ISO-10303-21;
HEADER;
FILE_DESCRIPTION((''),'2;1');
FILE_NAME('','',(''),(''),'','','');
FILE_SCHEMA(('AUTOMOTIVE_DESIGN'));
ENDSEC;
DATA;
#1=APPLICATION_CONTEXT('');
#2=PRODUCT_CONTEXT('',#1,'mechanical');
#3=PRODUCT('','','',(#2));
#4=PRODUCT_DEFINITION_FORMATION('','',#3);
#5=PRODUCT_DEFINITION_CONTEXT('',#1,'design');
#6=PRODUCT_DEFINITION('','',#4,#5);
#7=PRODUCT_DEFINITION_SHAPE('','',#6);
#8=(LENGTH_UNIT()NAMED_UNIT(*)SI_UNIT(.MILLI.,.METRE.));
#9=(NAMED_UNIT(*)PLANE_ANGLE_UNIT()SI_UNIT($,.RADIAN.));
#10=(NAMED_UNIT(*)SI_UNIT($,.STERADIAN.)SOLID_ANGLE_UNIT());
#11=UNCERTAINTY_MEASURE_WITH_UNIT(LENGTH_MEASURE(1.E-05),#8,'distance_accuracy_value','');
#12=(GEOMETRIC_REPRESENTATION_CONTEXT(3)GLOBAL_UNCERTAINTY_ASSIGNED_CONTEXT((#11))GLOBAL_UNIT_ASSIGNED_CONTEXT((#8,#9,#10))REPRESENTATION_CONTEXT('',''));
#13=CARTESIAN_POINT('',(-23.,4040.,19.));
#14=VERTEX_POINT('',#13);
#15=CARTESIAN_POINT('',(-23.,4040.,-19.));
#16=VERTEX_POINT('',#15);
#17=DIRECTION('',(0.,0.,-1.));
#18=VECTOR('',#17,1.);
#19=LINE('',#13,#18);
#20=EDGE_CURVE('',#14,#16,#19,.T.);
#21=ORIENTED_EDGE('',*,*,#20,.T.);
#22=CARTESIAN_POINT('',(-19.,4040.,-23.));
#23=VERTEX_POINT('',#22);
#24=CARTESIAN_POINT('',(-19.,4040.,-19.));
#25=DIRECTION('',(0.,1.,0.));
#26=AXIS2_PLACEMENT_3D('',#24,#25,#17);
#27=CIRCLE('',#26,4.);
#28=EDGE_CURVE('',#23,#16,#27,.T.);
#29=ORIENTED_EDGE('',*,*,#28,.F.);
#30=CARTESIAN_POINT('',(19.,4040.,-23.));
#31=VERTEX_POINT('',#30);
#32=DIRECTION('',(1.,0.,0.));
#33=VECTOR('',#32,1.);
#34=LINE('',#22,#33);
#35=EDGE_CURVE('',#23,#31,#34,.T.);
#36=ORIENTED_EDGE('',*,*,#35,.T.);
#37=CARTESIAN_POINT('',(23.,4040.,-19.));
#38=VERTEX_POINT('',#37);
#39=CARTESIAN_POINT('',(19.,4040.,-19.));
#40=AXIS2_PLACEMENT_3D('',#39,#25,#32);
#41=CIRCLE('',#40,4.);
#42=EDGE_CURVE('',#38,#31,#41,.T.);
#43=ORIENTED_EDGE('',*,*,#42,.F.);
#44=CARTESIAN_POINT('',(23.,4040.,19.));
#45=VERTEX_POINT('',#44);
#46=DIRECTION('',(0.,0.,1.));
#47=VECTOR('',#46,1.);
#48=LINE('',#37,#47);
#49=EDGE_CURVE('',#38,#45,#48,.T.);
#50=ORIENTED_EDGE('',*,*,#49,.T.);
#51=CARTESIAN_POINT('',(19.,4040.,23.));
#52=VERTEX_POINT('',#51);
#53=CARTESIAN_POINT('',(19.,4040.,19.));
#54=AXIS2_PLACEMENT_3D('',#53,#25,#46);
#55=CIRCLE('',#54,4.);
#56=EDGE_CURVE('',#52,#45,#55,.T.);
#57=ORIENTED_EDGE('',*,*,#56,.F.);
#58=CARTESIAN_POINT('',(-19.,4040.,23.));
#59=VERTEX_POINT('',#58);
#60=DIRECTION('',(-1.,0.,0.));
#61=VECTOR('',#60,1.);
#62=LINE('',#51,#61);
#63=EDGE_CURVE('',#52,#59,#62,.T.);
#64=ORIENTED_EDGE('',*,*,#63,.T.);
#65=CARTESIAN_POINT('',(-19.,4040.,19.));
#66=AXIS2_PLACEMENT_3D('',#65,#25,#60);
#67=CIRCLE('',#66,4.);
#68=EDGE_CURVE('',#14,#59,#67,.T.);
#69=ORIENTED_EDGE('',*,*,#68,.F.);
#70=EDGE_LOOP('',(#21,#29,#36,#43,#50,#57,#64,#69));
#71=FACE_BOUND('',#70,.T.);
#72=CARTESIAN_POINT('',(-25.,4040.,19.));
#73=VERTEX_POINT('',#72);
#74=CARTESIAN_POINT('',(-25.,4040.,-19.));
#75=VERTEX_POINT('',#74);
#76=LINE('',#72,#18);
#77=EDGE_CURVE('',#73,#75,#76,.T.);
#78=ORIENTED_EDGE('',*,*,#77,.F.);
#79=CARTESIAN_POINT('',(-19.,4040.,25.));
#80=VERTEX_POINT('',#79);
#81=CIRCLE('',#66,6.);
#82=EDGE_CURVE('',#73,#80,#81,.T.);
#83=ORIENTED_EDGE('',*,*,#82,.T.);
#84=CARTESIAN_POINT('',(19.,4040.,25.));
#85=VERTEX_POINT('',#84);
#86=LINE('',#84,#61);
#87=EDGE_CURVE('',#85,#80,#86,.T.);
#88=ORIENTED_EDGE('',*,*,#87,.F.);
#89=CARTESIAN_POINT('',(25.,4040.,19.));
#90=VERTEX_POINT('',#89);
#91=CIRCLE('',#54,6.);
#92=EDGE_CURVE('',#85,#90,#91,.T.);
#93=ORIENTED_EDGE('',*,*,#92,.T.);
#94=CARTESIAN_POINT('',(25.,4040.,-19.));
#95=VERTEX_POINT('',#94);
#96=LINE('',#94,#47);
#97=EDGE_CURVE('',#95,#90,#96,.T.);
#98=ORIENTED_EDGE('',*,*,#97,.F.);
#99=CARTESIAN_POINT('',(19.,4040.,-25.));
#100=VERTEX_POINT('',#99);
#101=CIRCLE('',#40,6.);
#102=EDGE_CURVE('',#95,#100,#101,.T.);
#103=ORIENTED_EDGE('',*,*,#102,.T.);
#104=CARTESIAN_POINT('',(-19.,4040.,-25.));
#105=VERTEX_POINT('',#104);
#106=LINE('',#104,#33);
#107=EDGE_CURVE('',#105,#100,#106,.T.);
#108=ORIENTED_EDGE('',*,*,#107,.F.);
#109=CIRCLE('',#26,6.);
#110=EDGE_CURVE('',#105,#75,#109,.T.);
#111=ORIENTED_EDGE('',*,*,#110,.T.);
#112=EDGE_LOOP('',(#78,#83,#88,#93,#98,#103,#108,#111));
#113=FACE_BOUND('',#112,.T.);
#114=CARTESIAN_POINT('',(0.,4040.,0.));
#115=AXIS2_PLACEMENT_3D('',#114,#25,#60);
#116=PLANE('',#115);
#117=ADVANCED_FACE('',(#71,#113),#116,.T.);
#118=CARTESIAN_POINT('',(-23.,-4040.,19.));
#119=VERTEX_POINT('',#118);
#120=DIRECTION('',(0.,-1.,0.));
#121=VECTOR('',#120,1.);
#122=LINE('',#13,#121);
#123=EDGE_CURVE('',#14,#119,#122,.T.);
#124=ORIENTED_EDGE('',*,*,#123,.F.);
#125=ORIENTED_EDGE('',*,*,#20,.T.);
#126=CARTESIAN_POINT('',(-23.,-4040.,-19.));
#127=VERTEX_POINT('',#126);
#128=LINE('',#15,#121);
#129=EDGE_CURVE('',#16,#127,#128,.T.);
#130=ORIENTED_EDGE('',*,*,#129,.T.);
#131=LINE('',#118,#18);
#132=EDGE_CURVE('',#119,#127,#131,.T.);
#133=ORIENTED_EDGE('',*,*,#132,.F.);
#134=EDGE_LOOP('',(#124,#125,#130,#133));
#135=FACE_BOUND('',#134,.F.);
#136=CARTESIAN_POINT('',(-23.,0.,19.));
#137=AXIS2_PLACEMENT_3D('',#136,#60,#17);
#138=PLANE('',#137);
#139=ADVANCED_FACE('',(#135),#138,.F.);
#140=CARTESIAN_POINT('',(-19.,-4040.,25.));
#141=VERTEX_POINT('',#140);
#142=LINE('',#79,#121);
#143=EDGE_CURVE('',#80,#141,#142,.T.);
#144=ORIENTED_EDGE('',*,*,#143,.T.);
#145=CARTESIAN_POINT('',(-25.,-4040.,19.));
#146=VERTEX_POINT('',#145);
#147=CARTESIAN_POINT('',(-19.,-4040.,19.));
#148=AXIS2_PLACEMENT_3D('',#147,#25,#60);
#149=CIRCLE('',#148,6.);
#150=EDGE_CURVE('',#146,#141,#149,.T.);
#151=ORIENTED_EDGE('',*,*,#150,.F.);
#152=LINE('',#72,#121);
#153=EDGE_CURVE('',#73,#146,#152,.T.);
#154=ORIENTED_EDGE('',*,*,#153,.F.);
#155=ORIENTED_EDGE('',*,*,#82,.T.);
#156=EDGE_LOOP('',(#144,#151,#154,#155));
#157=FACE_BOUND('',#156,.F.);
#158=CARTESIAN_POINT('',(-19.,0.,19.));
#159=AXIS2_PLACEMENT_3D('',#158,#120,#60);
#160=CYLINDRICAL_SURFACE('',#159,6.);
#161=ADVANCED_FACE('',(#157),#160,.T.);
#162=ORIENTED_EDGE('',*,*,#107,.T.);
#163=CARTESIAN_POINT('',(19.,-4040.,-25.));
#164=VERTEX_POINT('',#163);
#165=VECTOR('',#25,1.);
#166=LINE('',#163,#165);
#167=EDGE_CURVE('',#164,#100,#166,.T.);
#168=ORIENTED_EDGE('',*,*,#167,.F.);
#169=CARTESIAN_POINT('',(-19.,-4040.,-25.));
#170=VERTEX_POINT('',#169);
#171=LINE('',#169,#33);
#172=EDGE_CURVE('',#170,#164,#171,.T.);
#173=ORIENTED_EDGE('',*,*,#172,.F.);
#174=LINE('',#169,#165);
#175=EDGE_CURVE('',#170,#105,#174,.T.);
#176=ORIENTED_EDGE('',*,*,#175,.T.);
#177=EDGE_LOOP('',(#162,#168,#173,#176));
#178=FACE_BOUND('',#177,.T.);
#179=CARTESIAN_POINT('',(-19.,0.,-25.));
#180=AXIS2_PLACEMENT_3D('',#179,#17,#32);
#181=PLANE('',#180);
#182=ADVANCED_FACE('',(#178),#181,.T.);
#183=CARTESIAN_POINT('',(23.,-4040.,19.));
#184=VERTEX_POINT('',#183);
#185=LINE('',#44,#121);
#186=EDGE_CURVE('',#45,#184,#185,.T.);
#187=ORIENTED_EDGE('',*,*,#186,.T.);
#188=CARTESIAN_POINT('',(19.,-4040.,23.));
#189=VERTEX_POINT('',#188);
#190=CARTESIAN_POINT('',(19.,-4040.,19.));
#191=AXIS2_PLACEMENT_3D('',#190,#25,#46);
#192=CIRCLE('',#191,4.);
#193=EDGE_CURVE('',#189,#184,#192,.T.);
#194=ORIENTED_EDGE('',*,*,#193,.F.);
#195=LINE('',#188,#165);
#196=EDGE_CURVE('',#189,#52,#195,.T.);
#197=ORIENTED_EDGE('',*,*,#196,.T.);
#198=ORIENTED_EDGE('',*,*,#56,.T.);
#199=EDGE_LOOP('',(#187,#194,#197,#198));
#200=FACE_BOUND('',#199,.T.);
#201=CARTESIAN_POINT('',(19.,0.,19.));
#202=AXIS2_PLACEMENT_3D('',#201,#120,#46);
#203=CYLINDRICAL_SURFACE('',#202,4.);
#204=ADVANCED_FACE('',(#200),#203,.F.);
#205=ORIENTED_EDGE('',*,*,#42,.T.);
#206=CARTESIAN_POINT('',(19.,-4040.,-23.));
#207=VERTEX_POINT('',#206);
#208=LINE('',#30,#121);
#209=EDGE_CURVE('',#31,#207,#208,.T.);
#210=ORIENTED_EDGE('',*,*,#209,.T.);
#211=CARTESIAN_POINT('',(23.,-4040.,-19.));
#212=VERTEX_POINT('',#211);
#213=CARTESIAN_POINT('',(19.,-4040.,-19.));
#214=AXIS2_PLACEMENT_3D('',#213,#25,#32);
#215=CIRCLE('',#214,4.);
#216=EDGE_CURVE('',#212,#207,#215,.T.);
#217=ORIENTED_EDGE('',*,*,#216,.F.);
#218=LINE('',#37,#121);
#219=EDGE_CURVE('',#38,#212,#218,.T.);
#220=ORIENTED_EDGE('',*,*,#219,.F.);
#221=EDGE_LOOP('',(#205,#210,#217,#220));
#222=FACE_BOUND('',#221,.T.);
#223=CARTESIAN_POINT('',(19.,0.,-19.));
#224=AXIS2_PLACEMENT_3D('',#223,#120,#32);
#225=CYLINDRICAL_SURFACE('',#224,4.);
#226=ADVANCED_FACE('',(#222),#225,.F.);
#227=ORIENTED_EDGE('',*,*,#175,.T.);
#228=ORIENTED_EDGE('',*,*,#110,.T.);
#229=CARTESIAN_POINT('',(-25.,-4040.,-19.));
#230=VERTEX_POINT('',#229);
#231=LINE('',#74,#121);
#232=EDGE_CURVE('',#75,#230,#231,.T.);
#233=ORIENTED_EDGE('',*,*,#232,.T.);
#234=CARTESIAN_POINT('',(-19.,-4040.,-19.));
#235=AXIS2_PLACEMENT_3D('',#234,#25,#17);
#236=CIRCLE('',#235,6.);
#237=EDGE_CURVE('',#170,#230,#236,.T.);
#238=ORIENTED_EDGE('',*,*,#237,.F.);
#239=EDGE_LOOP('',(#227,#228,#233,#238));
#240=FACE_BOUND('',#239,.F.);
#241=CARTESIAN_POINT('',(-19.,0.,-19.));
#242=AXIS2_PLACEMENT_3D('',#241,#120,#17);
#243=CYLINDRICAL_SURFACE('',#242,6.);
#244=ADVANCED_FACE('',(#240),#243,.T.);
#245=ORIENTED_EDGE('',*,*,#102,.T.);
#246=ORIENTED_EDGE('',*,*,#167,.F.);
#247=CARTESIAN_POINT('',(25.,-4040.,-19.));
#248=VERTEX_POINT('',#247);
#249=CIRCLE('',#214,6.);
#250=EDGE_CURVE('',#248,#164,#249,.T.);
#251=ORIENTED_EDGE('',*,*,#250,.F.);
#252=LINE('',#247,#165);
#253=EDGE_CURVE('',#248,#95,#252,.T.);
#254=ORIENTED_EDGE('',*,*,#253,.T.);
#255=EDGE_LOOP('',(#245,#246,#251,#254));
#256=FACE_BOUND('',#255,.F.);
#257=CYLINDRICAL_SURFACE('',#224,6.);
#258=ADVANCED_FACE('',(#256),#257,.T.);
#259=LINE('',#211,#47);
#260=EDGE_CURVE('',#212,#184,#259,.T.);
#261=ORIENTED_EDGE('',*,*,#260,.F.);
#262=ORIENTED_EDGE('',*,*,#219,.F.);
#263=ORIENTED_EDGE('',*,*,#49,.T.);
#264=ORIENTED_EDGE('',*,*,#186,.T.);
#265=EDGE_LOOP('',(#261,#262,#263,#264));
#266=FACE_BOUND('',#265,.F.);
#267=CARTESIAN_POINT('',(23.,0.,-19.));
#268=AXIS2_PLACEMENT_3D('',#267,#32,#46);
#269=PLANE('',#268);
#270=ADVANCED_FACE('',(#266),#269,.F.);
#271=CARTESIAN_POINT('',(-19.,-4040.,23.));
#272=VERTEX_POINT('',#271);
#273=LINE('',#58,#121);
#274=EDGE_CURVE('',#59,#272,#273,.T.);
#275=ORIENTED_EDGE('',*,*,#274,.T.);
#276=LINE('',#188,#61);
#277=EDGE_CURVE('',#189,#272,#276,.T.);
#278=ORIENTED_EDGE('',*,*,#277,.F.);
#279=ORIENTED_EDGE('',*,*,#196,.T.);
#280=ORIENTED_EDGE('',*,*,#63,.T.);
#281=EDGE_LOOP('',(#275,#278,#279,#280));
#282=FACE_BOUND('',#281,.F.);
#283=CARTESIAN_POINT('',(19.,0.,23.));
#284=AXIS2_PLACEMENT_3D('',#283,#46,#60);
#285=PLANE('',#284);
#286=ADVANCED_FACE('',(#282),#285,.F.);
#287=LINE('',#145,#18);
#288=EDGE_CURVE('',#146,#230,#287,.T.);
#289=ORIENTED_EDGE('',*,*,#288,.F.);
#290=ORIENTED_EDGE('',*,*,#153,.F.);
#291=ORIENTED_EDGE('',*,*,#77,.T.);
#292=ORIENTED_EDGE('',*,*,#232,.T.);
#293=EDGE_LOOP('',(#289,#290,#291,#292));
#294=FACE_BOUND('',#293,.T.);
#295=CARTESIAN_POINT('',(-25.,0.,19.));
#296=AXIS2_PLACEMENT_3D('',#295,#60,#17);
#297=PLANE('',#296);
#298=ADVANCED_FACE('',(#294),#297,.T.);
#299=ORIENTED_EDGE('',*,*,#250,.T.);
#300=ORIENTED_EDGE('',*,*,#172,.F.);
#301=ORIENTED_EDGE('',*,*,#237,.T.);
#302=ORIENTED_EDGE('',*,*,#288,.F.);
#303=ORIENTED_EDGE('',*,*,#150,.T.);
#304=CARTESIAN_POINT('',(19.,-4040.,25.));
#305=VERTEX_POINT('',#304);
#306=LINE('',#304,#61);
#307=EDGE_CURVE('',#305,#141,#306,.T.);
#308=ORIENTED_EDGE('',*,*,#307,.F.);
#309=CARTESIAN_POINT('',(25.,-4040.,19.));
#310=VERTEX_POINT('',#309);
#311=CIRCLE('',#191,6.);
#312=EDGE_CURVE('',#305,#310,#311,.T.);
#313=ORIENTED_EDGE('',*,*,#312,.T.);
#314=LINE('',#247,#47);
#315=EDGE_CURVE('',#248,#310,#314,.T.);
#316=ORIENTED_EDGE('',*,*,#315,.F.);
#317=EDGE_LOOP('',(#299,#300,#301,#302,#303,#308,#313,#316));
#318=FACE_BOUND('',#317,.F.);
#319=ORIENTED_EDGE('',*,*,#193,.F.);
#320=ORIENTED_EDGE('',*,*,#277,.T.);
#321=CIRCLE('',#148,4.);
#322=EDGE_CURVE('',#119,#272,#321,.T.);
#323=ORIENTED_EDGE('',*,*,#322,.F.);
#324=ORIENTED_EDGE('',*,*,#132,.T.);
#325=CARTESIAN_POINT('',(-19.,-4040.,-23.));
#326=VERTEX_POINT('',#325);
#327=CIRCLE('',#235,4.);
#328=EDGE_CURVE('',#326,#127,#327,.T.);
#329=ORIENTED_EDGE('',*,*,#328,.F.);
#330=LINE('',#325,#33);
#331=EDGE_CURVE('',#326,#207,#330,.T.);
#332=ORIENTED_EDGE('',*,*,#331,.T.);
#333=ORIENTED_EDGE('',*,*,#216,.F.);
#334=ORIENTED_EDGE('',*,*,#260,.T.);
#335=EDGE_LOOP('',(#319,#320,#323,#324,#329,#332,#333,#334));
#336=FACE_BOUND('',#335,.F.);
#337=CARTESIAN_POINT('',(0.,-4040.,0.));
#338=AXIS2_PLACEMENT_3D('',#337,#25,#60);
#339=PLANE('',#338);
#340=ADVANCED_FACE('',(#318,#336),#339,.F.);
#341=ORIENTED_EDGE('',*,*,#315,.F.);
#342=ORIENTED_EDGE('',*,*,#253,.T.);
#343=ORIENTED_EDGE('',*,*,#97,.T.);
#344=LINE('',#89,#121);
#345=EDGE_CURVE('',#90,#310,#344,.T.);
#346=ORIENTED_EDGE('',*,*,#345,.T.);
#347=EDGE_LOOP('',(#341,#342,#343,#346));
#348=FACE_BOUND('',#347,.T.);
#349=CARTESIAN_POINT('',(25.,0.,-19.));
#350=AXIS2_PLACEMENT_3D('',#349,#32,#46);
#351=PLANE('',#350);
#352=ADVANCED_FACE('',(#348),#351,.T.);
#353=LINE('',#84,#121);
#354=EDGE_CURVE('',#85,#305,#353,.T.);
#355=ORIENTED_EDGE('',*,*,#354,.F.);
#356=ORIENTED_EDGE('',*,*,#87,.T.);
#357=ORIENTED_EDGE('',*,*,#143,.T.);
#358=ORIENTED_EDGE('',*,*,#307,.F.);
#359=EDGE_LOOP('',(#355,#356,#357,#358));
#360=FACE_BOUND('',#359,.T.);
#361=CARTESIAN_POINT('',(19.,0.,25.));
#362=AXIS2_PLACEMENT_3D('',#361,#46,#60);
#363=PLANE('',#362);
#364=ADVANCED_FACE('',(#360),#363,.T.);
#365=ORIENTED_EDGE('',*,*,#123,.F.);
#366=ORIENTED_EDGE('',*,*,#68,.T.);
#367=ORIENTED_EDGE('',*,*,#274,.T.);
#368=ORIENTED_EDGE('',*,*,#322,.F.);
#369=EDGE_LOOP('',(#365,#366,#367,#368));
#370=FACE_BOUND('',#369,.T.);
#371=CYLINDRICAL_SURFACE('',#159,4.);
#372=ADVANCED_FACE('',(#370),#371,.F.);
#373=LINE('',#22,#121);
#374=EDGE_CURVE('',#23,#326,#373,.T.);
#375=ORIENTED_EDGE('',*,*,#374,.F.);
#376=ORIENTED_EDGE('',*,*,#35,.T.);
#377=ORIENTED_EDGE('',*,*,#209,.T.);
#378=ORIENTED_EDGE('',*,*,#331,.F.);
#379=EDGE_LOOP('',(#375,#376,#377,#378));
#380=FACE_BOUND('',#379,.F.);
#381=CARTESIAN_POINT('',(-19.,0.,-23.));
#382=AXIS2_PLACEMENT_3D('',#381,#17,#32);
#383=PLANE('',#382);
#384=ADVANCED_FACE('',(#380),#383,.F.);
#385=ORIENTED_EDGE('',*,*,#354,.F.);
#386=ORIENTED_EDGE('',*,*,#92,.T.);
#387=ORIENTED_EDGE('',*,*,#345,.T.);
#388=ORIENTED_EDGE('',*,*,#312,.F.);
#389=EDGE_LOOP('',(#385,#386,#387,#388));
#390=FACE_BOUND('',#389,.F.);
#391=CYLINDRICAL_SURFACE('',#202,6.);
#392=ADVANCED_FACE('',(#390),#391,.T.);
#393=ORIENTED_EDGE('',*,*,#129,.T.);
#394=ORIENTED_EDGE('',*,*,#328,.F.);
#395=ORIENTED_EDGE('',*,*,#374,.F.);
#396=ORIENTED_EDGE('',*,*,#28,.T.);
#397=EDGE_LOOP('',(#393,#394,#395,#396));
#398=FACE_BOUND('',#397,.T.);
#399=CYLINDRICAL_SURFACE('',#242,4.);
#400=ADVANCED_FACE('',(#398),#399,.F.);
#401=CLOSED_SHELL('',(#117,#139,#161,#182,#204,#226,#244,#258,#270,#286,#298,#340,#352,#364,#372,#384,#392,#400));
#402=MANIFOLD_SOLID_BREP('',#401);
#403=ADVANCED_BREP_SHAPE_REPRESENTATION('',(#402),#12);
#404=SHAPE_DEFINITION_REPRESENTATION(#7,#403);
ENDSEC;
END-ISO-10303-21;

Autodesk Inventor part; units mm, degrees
ref_plane "YZ Plane" through (0, 0, 0) normal (1, 0, 0) x (0, 1, 0)
ref_plane "XZ Plane" through (0, 0, 0) normal (0, 1, 0) x (-1, 0, 0)
ref_plane "XY Plane" through (0, 0, 0) normal (0, 0, 1) x (1, 0, 0)
sketch "Sketch1" plane through (0, 0, 0) normal (0, 1, 0) x (-1, 0, 0)
  line L0 (-25, -19) -> (-25, 19)
  line L1 (-19, 25) -> (19, 25)
  line L2 (25, 19) -> (25, -19)
  line L3 (19, -25) -> (-19, -25)
  arc A0 (-25, -19) -> (-19, -25) centre (-19, -19) ccw
  arc A1 (25, 19) -> (19, 25) centre (19, 19) ccw
  arc A2 (-19, 25) -> (-25, 19) centre (-19, 19) ccw
  arc A3 (19, -25) -> (25, -19) centre (19, -19) ccw
  arc A4 (-19, 23) -> (-23, 19) centre (-19, 19) ccw
  line L4 (-19, 23) -> (19, 23)
  arc A5 (23, 19) -> (19, 23) centre (19, 19) ccw
  line L5 (23, 19) -> (23, -19)
  arc A6 (19, -23) -> (23, -19) centre (19, -19) ccw
  line L6 (19, -23) -> (-19, -23)
  arc A7 (-23, -19) -> (-19, -23) centre (-19, -19) ccw
  line L7 (-23, -19) -> (-23, 19)
  line L8 (0, 25) -> (0, -25) construction
  point P0 (0, 0)
  point P1 (0, 0)
  dimension "d0" = 6
  dimension "d1" = 50
  dimension "d2" = 50
  dimension "d3" = 2
extrude "Extrusion1" add sketch "Sketch1" along normal mid plane 8080
equation "\"d6\" = 6"
equation "\"d9\" = 3"
properties part number "BSH 074 tube 4" material "Steel"
